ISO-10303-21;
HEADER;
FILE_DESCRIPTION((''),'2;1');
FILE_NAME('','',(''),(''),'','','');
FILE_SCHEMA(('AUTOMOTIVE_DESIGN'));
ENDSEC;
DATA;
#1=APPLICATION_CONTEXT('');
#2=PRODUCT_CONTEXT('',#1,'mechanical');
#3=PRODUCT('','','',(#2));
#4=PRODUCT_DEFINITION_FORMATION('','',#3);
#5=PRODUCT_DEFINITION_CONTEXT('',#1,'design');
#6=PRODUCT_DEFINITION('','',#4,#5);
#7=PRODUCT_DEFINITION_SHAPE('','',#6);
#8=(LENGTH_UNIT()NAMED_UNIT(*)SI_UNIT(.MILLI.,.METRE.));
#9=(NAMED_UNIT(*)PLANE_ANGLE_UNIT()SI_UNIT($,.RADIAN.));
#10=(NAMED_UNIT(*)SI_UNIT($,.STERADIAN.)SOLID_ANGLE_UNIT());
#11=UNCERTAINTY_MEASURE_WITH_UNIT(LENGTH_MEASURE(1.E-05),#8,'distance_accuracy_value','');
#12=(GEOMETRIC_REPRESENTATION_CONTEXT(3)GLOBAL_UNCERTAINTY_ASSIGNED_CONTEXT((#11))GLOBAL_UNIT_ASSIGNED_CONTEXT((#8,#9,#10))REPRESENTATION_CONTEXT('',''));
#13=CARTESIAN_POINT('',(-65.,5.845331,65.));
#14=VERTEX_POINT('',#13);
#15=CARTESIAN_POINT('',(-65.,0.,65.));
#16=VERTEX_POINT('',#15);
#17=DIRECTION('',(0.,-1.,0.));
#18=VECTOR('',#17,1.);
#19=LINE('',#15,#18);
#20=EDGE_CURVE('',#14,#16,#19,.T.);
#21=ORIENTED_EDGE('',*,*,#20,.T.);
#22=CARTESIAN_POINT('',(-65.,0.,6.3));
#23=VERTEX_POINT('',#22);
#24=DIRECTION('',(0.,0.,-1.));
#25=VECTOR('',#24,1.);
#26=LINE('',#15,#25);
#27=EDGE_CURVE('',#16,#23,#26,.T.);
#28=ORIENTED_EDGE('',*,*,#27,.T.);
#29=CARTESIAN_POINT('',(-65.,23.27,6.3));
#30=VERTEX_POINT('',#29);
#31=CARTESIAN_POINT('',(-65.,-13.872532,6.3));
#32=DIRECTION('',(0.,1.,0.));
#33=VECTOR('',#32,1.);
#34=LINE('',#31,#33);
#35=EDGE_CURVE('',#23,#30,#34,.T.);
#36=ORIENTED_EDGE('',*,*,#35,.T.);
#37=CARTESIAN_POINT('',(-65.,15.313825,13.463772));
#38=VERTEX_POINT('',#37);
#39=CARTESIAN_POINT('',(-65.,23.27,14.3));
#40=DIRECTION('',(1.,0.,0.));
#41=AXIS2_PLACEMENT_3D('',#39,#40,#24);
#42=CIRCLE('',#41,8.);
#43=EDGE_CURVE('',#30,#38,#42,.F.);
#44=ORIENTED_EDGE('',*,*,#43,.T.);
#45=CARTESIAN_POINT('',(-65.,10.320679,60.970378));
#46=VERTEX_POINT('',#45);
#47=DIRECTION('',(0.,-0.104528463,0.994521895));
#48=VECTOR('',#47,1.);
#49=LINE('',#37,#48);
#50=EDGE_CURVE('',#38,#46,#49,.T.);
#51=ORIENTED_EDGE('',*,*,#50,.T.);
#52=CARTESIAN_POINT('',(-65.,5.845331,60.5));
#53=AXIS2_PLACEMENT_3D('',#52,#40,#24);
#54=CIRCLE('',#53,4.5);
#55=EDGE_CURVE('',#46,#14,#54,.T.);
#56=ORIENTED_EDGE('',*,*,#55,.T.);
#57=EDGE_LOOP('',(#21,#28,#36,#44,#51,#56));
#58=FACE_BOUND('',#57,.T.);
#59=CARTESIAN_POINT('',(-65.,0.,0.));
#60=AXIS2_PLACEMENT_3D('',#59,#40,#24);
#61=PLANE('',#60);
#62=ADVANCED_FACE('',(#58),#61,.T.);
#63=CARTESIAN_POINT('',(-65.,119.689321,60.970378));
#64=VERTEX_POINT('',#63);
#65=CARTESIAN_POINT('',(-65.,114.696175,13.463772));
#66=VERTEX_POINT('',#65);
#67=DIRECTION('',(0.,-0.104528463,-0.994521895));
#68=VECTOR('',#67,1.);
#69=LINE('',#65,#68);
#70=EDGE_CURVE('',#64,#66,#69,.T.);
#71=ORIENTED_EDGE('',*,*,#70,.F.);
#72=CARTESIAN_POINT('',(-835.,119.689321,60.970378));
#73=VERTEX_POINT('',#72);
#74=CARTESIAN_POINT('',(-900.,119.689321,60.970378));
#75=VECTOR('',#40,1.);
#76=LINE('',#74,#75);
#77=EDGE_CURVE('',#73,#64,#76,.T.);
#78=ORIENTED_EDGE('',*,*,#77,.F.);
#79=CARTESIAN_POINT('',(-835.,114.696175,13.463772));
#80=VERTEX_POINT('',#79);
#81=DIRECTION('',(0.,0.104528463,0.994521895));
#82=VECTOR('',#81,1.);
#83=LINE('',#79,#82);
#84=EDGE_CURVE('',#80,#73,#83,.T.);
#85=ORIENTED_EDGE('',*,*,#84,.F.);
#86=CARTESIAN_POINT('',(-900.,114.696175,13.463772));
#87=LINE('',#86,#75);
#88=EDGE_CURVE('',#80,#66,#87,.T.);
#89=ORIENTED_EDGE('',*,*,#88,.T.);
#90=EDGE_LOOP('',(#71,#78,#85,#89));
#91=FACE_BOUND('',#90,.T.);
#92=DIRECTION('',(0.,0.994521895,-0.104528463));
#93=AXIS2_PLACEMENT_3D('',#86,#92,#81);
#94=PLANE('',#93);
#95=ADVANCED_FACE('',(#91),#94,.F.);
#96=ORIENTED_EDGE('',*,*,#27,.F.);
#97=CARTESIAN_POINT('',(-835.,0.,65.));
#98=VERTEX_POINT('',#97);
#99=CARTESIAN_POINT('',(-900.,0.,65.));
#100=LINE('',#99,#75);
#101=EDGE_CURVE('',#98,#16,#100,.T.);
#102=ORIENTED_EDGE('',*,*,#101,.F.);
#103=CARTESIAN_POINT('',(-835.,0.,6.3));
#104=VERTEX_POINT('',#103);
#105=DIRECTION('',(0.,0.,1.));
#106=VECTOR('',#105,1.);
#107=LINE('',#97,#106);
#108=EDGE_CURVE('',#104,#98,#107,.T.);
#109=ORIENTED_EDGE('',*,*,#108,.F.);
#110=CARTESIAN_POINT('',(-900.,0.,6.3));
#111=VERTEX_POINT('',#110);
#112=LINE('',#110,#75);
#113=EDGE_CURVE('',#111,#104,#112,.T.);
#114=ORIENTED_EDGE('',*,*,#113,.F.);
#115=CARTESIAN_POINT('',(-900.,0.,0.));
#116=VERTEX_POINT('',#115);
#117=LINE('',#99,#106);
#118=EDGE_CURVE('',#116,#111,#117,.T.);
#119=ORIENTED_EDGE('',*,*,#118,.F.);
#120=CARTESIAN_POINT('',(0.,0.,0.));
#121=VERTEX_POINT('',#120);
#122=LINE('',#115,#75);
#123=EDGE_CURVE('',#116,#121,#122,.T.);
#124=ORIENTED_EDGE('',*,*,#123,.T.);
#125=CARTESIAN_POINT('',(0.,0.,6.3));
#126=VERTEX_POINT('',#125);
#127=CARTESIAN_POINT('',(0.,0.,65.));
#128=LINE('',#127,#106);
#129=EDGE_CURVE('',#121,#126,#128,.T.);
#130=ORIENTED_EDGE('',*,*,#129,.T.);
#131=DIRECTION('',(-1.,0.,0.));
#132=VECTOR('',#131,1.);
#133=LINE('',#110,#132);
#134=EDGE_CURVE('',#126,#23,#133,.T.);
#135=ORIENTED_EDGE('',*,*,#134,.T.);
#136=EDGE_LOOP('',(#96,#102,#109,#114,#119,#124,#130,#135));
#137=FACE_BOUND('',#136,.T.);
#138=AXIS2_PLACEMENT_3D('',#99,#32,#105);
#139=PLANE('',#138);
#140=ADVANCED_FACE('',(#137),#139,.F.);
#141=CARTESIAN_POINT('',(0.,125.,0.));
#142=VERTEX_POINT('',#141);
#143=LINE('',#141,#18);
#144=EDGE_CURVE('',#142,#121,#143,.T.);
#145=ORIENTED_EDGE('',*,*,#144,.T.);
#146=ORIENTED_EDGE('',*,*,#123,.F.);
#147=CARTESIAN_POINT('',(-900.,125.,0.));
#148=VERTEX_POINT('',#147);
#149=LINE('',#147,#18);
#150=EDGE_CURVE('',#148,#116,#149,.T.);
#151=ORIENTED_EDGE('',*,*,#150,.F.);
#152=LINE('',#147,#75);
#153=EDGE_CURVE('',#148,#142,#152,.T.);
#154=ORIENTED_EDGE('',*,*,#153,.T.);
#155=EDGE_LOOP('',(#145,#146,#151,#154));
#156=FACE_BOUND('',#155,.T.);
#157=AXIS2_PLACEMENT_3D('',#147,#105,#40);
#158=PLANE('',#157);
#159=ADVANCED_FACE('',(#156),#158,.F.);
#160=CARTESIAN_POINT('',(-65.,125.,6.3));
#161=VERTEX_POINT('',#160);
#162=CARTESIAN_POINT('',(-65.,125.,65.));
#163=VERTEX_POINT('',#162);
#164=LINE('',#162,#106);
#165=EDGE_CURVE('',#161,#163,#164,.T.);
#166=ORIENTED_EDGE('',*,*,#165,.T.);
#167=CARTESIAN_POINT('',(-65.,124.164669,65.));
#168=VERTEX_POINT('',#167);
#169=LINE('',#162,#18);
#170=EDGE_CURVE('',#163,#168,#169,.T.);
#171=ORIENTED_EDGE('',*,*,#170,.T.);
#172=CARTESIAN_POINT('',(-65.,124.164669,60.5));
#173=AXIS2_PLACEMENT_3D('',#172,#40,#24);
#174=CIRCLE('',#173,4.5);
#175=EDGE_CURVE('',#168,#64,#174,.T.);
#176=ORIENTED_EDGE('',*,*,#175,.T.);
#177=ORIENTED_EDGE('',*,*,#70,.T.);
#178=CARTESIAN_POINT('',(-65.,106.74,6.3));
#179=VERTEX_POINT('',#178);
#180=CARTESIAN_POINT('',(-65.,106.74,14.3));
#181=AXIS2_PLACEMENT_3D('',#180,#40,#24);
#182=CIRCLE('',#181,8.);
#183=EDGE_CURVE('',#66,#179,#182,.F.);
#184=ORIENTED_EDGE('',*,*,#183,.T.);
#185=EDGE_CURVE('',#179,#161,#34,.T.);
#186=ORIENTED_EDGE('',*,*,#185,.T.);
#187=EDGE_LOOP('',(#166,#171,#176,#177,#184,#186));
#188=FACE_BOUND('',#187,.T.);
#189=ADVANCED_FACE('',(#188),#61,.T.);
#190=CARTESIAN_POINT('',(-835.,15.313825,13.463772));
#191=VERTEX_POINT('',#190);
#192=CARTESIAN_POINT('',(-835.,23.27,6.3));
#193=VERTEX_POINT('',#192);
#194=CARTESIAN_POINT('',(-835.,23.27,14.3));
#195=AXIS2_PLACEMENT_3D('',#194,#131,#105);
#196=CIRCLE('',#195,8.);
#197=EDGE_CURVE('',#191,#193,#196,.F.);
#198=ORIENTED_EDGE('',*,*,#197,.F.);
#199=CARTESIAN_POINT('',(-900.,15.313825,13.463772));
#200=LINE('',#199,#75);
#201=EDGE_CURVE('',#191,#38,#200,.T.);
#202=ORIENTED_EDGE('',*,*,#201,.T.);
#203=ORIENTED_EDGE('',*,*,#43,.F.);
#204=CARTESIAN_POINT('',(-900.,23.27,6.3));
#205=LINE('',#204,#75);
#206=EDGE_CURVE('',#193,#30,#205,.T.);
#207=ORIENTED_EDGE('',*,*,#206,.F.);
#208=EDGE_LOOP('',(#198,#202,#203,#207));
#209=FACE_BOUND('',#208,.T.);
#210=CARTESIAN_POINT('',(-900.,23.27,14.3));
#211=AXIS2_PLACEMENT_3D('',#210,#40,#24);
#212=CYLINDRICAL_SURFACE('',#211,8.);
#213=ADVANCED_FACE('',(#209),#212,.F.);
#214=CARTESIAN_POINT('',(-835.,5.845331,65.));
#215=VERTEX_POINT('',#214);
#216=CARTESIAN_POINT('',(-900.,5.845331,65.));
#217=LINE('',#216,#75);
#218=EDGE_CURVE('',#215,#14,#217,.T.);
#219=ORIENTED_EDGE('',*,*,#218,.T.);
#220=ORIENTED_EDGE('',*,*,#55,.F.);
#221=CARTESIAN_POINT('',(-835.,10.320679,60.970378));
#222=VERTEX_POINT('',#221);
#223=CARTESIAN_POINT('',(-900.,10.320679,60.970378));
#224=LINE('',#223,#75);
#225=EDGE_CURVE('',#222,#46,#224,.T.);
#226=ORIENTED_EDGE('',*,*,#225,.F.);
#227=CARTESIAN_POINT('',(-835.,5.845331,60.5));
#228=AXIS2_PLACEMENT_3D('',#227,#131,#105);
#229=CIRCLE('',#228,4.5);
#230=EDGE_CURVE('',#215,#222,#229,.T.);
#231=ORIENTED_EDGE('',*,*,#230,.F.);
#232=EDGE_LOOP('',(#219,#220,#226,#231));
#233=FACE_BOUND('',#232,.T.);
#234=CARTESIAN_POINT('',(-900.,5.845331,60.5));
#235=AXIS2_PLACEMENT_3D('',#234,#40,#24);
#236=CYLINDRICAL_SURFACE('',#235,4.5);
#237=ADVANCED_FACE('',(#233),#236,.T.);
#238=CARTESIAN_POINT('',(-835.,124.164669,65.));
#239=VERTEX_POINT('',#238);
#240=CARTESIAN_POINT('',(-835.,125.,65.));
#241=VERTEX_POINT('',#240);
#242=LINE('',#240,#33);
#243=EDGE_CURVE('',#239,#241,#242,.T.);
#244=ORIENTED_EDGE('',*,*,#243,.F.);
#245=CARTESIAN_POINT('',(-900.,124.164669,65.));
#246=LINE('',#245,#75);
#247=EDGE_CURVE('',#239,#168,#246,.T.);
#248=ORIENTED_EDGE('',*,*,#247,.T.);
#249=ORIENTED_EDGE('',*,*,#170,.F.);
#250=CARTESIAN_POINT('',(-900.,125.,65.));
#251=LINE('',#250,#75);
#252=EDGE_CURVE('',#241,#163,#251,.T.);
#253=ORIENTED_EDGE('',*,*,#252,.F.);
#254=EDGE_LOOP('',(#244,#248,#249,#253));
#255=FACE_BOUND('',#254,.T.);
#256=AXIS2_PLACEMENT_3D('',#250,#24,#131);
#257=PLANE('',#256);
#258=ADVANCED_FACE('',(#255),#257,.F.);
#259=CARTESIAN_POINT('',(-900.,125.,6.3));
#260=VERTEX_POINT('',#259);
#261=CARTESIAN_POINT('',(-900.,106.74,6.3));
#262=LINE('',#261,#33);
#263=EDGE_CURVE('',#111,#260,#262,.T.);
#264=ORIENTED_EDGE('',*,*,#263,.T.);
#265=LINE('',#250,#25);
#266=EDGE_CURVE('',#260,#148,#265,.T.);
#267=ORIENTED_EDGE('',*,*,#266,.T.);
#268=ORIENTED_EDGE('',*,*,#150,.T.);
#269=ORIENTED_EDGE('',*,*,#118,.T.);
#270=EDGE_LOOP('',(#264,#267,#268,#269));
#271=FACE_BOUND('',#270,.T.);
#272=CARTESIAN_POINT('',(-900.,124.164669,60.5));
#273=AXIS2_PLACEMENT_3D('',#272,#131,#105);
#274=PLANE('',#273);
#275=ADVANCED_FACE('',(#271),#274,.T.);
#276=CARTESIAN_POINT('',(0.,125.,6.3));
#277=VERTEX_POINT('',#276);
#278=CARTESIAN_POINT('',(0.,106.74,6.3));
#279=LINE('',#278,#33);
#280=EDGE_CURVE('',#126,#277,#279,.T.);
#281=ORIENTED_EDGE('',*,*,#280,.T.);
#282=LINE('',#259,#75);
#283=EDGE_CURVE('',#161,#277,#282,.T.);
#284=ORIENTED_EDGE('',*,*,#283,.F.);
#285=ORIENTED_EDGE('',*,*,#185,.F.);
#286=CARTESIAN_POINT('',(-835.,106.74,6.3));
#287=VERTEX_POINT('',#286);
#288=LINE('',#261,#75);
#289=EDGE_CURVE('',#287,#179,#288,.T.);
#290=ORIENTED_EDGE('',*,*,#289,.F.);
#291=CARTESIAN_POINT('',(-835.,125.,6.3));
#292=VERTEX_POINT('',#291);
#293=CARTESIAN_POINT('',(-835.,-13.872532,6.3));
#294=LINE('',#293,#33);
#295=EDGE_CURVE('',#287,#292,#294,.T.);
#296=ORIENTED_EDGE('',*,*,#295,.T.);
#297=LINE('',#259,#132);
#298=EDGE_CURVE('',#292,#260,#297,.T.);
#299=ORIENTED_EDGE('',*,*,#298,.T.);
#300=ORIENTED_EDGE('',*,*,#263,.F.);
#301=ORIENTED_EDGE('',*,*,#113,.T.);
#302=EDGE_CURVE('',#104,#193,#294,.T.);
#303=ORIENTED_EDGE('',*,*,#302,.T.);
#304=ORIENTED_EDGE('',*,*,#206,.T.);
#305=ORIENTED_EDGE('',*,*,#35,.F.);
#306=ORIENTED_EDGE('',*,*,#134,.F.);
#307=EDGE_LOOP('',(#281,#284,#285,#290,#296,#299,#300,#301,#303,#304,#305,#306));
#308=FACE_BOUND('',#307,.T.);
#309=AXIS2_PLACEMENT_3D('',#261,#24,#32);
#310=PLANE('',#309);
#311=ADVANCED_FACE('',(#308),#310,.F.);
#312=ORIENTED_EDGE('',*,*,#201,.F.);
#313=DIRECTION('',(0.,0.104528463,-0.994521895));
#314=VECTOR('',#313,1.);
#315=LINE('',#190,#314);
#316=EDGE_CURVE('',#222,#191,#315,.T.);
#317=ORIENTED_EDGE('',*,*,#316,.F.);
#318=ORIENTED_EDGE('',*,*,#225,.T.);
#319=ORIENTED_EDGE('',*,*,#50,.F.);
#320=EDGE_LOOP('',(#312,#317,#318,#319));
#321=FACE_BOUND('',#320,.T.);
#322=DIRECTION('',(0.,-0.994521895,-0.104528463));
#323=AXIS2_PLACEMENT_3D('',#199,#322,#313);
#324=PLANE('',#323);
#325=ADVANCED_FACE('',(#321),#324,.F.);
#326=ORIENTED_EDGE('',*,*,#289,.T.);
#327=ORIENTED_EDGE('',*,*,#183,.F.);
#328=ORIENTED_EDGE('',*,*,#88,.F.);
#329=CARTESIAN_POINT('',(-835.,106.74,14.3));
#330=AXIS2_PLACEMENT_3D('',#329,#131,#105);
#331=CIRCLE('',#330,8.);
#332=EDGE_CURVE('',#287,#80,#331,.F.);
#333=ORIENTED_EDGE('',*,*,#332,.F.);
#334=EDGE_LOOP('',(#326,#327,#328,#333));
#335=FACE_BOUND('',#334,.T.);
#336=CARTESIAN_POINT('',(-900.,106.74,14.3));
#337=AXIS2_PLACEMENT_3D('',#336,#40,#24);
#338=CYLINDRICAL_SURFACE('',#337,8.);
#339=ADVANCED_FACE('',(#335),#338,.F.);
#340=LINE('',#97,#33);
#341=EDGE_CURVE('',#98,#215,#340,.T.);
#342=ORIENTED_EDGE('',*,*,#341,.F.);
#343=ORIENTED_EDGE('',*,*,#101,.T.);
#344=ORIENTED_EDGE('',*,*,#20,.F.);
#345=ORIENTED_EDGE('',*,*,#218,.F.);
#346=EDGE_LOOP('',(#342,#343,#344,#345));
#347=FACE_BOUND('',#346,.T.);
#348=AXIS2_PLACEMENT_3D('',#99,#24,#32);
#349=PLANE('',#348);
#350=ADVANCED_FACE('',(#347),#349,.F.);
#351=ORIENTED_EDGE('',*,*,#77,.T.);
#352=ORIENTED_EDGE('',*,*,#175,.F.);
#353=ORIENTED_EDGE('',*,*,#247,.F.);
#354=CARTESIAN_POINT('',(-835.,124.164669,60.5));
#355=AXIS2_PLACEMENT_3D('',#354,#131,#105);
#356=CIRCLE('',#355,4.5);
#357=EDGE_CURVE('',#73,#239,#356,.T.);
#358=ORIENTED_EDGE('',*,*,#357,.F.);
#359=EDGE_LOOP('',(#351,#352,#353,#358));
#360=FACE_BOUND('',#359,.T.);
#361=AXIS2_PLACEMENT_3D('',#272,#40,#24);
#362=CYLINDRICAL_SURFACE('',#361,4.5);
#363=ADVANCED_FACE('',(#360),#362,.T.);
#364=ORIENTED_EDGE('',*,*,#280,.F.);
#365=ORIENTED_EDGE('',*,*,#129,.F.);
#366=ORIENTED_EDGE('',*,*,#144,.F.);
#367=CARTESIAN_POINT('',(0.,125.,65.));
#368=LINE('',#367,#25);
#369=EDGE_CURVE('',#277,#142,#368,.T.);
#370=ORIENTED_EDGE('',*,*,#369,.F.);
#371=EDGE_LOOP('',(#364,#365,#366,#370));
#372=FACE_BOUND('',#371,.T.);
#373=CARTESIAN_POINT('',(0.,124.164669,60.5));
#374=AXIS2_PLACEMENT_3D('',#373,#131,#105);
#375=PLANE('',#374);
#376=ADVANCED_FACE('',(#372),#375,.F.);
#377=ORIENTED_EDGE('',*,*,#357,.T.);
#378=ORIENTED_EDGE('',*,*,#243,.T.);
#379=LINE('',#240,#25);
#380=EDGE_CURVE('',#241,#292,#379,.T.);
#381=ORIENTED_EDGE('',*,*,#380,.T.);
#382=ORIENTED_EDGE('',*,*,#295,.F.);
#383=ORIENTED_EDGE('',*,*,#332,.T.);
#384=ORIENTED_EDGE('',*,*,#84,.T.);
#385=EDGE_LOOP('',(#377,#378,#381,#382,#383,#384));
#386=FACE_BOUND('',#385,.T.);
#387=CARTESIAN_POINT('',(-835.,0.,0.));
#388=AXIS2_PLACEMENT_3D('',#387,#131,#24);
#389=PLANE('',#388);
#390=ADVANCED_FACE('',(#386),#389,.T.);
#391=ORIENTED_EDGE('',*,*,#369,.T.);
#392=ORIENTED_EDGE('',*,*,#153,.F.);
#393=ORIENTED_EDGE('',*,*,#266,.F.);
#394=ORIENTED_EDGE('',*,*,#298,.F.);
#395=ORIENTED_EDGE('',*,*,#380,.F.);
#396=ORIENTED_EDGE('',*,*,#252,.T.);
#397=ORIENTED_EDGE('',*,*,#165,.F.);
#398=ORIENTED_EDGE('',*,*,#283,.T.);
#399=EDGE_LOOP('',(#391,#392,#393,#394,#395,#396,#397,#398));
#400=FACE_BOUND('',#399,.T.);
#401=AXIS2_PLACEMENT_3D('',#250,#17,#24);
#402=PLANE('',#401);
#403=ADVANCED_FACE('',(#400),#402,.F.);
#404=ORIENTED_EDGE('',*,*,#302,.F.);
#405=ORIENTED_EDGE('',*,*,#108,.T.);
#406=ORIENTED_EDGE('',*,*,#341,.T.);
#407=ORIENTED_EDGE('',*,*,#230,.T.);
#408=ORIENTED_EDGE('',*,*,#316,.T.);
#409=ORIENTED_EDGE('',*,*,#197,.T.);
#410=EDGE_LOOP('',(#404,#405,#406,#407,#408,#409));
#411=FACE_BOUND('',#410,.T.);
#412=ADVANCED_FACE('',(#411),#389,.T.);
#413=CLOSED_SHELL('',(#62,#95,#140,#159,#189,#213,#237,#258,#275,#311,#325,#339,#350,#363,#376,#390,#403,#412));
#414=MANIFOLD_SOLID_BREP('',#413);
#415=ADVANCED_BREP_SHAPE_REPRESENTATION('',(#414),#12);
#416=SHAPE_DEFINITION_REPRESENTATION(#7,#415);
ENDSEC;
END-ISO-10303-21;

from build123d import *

# Parameters (mm, degrees)
C_CHANNEL_120_X_12_1_DEPTH = 900
CUT_EXTRUDE1_DEPTH         = 65


with BuildPart() as part:
    # Sketch12 → C channel 120 X 12(1) (new body)
    with BuildSketch(Plane.ZY):
        with BuildLine():
            Line((65, 125), (0, 125))
            Line((0, 125), (0, 0))
            Line((0, 0), (65, 0))
            Line((65, 0), (65, 5.845330836))
            ThreePointArc((65, 5.845330836), (63.844151715, 8.856418565), (60.970378085, 10.320679365))
            Line((60.970378085, 10.320679365), (13.463772294, 15.313824837))
            ThreePointArc((13.463772294, 15.313824837), (8.354841396, 17.916955149), (6.3, 23.27))
            Line((6.3, 23.27), (6.3, 106.74))
            ThreePointArc((6.3, 106.74), (8.354841396, 112.093044851), (13.463772294, 114.696175163))
            Line((13.463772294, 114.696175163), (60.970378085, 119.689320635))
            ThreePointArc((60.970378085, 119.689320635), (63.844151715, 121.153581435), (65, 124.164669164))
            Line((65, 124.164669164), (65, 125))
        make_face()
    extrude(amount=C_CHANNEL_120_X_12_1_DEPTH)

    # Sketch13 → Cut-Extrude1 (cut)
    with BuildSketch(Plane(origin=(0, 0, 0), x_dir=(0, 0, -1), z_dir=(1, 0, 0))):
        Polygon((-6.3, 106.74), (-6.3, 128.866505143), (-71.707289192, 128.866505143), (-71.707289192, -13.872532072), (-6.3, -13.872532072), align=None)
    cut_extrude1 = extrude(amount=-CUT_EXTRUDE1_DEPTH, mode=Mode.SUBTRACT)

    # Mirror1: Cut-Extrude1 across plane
    add(cut_extrude1.mirror(Plane(origin=(-450, 0, 0), x_dir=(0, 0, 1), z_dir=(1, 0, 0))), mode=Mode.SUBTRACT)


solid = part.part
